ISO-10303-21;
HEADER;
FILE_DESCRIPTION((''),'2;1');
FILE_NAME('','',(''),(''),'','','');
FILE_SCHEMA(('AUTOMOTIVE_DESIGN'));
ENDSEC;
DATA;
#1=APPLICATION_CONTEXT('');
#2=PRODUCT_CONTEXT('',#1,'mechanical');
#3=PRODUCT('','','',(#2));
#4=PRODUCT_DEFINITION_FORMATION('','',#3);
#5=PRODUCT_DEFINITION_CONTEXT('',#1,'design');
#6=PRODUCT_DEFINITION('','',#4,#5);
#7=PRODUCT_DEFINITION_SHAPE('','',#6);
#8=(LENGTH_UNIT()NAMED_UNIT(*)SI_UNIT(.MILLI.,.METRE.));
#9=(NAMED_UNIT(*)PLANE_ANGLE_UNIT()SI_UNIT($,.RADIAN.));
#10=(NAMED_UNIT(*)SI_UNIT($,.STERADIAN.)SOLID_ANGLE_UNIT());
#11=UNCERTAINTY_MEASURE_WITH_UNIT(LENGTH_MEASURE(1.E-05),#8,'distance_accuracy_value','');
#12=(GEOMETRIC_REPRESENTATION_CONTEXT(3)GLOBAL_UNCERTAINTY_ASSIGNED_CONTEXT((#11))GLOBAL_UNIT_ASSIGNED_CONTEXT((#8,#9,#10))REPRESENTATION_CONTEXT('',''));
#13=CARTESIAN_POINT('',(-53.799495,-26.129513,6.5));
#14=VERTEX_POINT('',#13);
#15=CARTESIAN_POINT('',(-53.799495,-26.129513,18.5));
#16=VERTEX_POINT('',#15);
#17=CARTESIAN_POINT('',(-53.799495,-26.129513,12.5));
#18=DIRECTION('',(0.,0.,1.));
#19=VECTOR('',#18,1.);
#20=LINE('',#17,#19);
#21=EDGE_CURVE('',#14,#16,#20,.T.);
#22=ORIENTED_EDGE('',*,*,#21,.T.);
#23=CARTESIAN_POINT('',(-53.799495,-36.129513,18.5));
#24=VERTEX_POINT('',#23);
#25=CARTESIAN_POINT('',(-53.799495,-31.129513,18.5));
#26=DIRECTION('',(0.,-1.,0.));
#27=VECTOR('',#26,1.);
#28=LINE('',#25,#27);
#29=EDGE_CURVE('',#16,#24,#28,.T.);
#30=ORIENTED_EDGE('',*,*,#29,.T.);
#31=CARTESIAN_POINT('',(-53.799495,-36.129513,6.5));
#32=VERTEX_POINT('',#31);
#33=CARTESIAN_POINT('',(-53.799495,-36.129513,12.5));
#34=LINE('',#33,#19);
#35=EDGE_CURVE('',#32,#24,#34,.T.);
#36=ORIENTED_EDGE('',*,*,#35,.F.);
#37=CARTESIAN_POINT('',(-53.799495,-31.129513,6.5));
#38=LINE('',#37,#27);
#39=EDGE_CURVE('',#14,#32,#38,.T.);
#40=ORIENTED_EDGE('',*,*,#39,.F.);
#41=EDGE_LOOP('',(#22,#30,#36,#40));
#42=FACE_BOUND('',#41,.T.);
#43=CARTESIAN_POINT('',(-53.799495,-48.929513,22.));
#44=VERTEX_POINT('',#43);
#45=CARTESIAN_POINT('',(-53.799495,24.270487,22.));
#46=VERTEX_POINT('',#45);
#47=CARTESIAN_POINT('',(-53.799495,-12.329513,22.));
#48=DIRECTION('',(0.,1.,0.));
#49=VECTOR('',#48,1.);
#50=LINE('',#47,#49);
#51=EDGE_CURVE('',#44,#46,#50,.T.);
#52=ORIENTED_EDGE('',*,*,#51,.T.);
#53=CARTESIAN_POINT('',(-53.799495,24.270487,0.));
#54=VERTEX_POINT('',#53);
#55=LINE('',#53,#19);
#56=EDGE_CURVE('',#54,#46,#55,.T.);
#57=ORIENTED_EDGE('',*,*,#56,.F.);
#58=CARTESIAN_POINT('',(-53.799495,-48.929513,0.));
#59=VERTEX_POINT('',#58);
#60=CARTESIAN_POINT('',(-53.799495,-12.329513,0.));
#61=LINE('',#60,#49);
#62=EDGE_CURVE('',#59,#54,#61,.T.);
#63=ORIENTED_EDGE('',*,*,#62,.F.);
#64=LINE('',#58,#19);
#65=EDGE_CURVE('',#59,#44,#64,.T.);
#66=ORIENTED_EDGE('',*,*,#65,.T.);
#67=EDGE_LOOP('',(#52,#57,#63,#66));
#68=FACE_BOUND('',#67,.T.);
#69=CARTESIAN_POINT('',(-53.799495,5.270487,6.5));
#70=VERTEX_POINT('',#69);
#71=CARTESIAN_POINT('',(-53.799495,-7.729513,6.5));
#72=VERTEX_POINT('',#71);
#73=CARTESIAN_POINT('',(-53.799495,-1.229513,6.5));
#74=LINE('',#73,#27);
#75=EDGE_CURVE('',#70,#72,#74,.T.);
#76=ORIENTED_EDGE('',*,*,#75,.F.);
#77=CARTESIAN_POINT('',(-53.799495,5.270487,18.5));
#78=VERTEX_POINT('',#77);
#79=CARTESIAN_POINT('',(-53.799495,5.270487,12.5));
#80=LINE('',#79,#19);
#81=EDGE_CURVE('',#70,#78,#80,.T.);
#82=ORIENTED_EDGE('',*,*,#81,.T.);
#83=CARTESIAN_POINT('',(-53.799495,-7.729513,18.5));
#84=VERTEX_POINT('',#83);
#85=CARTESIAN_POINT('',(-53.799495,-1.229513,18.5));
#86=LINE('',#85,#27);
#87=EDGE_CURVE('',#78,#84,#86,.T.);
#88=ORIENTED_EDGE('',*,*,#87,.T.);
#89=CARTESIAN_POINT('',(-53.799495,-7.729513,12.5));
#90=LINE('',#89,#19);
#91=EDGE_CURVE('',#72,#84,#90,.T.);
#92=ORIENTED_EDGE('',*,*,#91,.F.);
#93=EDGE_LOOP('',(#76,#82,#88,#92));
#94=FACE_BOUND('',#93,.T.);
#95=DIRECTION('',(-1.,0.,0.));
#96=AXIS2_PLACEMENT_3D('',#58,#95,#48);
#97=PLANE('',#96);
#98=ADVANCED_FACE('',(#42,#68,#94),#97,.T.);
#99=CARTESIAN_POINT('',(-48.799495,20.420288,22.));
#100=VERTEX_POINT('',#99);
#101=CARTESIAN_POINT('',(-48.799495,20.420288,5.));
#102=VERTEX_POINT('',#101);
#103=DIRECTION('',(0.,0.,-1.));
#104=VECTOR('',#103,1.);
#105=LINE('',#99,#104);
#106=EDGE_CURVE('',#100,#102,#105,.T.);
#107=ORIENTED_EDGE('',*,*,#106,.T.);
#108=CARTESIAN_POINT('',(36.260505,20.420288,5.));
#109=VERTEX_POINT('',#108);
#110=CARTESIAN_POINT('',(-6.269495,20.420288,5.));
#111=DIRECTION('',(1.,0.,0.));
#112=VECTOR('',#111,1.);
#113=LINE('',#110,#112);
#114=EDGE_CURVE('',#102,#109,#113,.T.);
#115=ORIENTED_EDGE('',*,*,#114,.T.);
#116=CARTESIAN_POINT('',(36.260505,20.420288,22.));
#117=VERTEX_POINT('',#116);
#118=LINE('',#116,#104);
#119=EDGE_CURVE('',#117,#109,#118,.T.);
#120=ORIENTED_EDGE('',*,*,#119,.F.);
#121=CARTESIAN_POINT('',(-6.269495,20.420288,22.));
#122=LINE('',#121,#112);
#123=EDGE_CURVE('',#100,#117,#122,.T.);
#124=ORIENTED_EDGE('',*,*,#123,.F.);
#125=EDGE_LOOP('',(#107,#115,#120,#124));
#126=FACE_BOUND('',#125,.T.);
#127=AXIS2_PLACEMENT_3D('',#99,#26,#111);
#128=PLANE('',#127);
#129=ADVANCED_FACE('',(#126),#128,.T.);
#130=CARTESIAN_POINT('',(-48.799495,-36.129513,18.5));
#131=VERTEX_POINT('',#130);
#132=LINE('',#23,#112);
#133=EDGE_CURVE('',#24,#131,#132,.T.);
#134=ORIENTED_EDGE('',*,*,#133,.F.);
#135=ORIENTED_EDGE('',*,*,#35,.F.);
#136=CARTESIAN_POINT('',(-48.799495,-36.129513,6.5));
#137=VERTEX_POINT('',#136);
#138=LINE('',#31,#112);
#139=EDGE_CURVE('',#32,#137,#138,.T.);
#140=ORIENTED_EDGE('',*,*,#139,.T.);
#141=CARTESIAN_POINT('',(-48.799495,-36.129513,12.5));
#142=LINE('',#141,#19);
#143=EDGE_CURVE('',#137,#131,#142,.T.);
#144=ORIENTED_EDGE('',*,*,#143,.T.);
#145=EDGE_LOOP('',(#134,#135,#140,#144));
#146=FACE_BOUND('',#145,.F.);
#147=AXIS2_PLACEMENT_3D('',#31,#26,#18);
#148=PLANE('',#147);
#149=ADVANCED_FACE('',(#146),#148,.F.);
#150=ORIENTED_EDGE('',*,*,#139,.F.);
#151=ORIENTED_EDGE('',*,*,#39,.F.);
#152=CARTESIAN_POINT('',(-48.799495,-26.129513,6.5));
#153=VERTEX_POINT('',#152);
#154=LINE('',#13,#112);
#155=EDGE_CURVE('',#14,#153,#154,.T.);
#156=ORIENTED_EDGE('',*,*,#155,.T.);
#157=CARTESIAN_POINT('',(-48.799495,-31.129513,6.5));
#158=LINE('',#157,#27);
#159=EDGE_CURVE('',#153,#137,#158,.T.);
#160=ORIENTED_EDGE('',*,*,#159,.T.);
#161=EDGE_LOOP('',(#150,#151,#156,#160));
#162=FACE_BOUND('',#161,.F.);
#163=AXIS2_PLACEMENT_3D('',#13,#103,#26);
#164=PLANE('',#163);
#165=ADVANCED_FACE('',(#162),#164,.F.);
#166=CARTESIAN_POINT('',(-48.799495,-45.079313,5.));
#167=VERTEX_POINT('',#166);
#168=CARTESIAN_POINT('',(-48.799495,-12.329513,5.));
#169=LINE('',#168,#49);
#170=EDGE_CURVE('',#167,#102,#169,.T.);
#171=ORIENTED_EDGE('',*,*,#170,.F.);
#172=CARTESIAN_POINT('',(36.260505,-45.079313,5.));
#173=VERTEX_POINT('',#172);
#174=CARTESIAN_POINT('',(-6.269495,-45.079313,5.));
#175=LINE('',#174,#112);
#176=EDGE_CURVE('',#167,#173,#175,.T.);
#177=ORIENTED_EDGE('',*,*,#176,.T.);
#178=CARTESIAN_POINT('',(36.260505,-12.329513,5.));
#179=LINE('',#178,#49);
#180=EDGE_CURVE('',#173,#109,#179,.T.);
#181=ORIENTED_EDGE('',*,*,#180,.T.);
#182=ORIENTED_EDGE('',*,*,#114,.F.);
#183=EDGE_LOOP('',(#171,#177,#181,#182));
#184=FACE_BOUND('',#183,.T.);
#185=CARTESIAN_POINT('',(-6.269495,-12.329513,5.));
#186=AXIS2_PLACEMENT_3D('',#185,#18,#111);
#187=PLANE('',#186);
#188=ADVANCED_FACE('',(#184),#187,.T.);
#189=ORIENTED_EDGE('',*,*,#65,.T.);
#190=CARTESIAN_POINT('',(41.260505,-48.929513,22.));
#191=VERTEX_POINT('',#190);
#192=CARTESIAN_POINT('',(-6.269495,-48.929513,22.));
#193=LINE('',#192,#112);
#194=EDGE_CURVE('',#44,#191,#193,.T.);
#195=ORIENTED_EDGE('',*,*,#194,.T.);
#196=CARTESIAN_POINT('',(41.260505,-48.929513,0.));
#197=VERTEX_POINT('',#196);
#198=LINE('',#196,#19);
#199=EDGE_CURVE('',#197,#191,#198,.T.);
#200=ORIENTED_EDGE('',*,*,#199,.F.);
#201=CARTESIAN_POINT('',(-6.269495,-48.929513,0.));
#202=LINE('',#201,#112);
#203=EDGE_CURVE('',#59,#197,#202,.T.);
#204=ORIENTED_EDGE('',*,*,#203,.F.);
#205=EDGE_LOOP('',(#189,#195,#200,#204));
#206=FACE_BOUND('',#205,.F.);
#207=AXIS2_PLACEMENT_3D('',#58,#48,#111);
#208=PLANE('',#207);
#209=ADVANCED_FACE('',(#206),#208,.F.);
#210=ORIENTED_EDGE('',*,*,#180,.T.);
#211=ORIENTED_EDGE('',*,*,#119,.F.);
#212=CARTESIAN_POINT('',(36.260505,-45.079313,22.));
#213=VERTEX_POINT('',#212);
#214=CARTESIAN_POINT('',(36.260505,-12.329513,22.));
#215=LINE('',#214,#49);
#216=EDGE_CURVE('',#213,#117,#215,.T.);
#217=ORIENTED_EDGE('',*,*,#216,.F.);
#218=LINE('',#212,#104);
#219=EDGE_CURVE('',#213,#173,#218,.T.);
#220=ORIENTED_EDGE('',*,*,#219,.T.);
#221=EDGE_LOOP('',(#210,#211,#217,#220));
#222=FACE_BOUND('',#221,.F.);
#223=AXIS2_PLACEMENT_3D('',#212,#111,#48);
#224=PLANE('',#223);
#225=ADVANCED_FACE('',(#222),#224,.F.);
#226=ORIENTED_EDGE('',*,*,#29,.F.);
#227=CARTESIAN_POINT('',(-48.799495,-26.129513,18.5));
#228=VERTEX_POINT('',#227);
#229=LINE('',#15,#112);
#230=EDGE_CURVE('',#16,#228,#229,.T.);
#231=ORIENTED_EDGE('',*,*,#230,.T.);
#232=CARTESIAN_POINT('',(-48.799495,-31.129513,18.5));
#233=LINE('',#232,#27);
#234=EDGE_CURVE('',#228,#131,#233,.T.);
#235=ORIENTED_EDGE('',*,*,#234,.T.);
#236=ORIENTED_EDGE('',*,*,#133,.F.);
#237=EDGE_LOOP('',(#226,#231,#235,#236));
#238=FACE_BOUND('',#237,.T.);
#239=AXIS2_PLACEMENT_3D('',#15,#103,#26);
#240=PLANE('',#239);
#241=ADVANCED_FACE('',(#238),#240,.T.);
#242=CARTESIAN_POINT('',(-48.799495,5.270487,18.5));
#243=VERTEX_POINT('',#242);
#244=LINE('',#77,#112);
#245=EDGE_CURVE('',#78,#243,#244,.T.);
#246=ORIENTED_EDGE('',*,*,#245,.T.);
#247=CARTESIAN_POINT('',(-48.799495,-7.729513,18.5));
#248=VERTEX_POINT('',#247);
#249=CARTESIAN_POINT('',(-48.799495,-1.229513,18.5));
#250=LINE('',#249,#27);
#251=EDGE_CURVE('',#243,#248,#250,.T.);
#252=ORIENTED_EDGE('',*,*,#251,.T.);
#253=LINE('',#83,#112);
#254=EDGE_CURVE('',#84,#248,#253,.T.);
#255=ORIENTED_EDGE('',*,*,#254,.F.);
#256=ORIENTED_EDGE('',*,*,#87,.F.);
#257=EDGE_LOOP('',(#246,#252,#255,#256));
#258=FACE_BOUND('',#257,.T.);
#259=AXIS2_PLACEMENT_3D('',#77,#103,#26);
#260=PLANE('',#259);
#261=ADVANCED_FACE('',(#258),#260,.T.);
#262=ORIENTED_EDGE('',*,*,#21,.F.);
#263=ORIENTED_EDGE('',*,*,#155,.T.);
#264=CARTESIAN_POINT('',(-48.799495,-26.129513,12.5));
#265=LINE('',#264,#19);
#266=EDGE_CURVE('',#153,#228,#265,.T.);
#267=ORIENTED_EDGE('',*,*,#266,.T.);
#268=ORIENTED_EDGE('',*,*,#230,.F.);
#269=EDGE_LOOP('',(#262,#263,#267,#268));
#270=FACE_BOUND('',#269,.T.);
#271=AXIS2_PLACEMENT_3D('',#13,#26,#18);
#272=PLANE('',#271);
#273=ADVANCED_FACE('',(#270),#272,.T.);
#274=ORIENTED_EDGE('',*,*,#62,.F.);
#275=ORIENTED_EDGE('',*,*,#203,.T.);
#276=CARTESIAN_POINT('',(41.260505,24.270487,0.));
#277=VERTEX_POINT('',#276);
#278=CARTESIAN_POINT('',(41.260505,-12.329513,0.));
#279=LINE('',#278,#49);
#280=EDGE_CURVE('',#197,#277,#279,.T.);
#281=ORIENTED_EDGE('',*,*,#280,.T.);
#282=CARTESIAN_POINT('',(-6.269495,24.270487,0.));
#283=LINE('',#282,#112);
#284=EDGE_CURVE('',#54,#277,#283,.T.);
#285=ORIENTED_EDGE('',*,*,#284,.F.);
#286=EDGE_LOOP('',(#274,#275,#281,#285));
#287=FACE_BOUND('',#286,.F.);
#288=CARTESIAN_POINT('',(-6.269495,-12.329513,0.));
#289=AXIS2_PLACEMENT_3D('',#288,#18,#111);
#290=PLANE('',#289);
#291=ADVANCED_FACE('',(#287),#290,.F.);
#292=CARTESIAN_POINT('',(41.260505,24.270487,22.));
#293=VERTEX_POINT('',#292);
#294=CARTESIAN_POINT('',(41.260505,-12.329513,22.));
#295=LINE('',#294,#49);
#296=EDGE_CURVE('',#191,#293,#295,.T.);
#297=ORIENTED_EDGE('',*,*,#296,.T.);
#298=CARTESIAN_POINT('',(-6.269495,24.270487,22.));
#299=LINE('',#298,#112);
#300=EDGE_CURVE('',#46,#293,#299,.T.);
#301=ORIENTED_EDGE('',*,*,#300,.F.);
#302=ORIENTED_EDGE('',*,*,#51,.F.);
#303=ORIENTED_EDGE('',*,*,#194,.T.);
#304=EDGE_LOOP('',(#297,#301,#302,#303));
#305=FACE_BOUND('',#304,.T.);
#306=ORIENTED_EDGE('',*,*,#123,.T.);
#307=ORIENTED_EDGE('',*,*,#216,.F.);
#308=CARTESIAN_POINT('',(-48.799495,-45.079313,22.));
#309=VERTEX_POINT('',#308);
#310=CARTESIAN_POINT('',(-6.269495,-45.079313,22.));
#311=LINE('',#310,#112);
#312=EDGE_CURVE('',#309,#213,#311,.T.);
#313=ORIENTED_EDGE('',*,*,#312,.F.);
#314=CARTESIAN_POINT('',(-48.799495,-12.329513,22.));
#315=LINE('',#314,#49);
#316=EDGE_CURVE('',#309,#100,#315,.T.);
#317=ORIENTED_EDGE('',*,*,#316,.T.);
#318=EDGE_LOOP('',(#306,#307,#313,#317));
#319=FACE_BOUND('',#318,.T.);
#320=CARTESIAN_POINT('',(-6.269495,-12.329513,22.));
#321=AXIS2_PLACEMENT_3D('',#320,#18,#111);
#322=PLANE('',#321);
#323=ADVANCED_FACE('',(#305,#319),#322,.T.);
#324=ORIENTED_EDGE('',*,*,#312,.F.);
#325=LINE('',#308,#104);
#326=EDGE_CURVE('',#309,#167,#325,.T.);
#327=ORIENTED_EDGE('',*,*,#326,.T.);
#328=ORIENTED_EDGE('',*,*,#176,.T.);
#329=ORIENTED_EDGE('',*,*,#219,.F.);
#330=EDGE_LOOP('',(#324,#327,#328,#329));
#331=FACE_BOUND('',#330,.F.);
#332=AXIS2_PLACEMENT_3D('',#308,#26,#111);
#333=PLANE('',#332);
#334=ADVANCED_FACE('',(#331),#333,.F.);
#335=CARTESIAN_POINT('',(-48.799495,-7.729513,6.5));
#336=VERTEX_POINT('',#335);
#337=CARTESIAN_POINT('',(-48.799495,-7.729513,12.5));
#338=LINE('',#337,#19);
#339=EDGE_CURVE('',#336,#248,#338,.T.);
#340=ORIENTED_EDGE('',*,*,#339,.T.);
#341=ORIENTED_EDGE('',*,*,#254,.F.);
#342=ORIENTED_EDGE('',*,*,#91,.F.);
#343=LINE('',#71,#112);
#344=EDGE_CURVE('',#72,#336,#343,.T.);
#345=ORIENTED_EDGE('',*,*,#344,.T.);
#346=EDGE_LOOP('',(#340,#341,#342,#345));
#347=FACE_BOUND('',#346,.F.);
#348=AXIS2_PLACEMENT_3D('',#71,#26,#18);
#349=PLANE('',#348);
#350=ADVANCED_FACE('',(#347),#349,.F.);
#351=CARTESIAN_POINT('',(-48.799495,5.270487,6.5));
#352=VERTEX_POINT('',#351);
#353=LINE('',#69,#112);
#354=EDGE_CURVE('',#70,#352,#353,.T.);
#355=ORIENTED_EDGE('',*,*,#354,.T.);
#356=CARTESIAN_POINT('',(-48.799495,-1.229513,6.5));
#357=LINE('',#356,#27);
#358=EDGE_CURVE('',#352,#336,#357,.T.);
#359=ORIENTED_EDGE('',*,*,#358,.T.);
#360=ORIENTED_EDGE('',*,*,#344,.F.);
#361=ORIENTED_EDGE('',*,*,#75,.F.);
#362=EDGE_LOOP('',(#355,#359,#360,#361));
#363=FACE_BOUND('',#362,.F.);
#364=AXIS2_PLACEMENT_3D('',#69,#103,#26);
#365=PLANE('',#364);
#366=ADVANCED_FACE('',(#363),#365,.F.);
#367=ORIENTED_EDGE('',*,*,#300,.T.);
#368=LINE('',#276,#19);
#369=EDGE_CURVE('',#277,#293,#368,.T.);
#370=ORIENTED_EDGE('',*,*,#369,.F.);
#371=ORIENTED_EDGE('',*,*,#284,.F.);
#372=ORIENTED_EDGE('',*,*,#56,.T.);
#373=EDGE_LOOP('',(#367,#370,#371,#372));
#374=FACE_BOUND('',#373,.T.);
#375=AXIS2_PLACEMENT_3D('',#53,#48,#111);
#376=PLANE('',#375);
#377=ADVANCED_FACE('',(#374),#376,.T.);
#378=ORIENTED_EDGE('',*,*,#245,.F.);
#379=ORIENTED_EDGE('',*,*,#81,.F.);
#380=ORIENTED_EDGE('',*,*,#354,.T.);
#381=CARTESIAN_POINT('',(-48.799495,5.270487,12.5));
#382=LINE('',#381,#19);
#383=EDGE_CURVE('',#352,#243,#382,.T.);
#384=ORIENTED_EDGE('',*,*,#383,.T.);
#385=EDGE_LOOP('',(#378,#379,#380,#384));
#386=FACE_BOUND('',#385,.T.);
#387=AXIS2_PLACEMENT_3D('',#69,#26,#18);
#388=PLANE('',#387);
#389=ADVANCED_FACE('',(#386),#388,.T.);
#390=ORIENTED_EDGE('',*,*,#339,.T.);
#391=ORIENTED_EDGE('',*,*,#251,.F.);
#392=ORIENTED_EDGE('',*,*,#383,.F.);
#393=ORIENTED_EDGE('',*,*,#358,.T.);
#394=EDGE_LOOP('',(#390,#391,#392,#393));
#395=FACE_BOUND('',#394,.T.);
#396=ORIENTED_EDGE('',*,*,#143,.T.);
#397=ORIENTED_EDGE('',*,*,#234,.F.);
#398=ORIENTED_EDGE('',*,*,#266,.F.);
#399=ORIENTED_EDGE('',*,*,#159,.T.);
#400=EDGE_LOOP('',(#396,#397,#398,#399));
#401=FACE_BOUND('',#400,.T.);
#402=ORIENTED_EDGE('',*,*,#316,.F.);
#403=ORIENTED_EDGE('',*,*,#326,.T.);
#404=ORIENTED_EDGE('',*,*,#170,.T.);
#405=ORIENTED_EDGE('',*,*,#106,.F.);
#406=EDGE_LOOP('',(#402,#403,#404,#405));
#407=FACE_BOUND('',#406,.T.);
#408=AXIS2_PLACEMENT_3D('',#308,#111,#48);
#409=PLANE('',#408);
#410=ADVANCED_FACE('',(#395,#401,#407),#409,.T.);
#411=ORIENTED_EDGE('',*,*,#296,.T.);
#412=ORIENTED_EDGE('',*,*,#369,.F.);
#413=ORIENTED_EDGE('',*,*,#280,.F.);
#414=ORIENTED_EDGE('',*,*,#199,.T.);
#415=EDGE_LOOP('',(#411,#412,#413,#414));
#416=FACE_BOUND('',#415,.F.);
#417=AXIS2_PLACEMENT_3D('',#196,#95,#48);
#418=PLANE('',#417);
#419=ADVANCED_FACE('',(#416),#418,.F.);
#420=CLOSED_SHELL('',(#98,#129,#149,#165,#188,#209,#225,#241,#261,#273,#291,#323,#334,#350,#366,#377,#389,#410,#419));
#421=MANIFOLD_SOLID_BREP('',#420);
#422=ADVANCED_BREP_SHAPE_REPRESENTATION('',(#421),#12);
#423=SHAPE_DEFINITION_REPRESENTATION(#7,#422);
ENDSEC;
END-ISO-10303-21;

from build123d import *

# Parameters (mm, degrees)
F1_W     = 95.06
F1_H     = 73.2
F2_DEPTH = 22
F3_W     = 85.06
F3_H     = 65.4996002525
F4_DEPTH = 17
F5_W     = 13
F5_H     = 12
F6_DEPTH = 5
F5_W_2   = 10
F7_DEPTH = 5


with BuildPart() as f2:
    # F1 (on Top) → F2 (new body)
    with BuildSketch(Plane.XY):
        with Locations((-6.269495101, -12.3295125008)):
            Rectangle(F1_W, F1_H)
    extrude(amount=F2_DEPTH)

    # F3 (on face) → F4 (cut)
    with BuildSketch(Plane.XY.offset(22)):
        with Locations((-6.269495101, -12.3295125008)):
            Rectangle(F3_W, F3_H)
    extrude(amount=-F4_DEPTH, mode=Mode.SUBTRACT)

    # F5 (on face) → F6 (cut)
    with BuildSketch(Plane(origin=(-53.799495101, 0, 0), x_dir=(0, -1, 0), z_dir=(-1, 0, 0))):
        with Locations((1.2295125008, 12.5)):
            Rectangle(F5_W, F5_H)
    extrude(amount=-F6_DEPTH, mode=Mode.SUBTRACT)

    # F5 (on face) → F7 (cut)
    with BuildSketch(Plane(origin=(-53.799495101, 0, 0), x_dir=(0, -1, 0), z_dir=(-1, 0, 0))):
        with Locations((31.1295125008, 12.5)):
            Rectangle(F5_W_2, F5_H)
    extrude(amount=-F7_DEPTH, mode=Mode.SUBTRACT)


solid = f2.part
